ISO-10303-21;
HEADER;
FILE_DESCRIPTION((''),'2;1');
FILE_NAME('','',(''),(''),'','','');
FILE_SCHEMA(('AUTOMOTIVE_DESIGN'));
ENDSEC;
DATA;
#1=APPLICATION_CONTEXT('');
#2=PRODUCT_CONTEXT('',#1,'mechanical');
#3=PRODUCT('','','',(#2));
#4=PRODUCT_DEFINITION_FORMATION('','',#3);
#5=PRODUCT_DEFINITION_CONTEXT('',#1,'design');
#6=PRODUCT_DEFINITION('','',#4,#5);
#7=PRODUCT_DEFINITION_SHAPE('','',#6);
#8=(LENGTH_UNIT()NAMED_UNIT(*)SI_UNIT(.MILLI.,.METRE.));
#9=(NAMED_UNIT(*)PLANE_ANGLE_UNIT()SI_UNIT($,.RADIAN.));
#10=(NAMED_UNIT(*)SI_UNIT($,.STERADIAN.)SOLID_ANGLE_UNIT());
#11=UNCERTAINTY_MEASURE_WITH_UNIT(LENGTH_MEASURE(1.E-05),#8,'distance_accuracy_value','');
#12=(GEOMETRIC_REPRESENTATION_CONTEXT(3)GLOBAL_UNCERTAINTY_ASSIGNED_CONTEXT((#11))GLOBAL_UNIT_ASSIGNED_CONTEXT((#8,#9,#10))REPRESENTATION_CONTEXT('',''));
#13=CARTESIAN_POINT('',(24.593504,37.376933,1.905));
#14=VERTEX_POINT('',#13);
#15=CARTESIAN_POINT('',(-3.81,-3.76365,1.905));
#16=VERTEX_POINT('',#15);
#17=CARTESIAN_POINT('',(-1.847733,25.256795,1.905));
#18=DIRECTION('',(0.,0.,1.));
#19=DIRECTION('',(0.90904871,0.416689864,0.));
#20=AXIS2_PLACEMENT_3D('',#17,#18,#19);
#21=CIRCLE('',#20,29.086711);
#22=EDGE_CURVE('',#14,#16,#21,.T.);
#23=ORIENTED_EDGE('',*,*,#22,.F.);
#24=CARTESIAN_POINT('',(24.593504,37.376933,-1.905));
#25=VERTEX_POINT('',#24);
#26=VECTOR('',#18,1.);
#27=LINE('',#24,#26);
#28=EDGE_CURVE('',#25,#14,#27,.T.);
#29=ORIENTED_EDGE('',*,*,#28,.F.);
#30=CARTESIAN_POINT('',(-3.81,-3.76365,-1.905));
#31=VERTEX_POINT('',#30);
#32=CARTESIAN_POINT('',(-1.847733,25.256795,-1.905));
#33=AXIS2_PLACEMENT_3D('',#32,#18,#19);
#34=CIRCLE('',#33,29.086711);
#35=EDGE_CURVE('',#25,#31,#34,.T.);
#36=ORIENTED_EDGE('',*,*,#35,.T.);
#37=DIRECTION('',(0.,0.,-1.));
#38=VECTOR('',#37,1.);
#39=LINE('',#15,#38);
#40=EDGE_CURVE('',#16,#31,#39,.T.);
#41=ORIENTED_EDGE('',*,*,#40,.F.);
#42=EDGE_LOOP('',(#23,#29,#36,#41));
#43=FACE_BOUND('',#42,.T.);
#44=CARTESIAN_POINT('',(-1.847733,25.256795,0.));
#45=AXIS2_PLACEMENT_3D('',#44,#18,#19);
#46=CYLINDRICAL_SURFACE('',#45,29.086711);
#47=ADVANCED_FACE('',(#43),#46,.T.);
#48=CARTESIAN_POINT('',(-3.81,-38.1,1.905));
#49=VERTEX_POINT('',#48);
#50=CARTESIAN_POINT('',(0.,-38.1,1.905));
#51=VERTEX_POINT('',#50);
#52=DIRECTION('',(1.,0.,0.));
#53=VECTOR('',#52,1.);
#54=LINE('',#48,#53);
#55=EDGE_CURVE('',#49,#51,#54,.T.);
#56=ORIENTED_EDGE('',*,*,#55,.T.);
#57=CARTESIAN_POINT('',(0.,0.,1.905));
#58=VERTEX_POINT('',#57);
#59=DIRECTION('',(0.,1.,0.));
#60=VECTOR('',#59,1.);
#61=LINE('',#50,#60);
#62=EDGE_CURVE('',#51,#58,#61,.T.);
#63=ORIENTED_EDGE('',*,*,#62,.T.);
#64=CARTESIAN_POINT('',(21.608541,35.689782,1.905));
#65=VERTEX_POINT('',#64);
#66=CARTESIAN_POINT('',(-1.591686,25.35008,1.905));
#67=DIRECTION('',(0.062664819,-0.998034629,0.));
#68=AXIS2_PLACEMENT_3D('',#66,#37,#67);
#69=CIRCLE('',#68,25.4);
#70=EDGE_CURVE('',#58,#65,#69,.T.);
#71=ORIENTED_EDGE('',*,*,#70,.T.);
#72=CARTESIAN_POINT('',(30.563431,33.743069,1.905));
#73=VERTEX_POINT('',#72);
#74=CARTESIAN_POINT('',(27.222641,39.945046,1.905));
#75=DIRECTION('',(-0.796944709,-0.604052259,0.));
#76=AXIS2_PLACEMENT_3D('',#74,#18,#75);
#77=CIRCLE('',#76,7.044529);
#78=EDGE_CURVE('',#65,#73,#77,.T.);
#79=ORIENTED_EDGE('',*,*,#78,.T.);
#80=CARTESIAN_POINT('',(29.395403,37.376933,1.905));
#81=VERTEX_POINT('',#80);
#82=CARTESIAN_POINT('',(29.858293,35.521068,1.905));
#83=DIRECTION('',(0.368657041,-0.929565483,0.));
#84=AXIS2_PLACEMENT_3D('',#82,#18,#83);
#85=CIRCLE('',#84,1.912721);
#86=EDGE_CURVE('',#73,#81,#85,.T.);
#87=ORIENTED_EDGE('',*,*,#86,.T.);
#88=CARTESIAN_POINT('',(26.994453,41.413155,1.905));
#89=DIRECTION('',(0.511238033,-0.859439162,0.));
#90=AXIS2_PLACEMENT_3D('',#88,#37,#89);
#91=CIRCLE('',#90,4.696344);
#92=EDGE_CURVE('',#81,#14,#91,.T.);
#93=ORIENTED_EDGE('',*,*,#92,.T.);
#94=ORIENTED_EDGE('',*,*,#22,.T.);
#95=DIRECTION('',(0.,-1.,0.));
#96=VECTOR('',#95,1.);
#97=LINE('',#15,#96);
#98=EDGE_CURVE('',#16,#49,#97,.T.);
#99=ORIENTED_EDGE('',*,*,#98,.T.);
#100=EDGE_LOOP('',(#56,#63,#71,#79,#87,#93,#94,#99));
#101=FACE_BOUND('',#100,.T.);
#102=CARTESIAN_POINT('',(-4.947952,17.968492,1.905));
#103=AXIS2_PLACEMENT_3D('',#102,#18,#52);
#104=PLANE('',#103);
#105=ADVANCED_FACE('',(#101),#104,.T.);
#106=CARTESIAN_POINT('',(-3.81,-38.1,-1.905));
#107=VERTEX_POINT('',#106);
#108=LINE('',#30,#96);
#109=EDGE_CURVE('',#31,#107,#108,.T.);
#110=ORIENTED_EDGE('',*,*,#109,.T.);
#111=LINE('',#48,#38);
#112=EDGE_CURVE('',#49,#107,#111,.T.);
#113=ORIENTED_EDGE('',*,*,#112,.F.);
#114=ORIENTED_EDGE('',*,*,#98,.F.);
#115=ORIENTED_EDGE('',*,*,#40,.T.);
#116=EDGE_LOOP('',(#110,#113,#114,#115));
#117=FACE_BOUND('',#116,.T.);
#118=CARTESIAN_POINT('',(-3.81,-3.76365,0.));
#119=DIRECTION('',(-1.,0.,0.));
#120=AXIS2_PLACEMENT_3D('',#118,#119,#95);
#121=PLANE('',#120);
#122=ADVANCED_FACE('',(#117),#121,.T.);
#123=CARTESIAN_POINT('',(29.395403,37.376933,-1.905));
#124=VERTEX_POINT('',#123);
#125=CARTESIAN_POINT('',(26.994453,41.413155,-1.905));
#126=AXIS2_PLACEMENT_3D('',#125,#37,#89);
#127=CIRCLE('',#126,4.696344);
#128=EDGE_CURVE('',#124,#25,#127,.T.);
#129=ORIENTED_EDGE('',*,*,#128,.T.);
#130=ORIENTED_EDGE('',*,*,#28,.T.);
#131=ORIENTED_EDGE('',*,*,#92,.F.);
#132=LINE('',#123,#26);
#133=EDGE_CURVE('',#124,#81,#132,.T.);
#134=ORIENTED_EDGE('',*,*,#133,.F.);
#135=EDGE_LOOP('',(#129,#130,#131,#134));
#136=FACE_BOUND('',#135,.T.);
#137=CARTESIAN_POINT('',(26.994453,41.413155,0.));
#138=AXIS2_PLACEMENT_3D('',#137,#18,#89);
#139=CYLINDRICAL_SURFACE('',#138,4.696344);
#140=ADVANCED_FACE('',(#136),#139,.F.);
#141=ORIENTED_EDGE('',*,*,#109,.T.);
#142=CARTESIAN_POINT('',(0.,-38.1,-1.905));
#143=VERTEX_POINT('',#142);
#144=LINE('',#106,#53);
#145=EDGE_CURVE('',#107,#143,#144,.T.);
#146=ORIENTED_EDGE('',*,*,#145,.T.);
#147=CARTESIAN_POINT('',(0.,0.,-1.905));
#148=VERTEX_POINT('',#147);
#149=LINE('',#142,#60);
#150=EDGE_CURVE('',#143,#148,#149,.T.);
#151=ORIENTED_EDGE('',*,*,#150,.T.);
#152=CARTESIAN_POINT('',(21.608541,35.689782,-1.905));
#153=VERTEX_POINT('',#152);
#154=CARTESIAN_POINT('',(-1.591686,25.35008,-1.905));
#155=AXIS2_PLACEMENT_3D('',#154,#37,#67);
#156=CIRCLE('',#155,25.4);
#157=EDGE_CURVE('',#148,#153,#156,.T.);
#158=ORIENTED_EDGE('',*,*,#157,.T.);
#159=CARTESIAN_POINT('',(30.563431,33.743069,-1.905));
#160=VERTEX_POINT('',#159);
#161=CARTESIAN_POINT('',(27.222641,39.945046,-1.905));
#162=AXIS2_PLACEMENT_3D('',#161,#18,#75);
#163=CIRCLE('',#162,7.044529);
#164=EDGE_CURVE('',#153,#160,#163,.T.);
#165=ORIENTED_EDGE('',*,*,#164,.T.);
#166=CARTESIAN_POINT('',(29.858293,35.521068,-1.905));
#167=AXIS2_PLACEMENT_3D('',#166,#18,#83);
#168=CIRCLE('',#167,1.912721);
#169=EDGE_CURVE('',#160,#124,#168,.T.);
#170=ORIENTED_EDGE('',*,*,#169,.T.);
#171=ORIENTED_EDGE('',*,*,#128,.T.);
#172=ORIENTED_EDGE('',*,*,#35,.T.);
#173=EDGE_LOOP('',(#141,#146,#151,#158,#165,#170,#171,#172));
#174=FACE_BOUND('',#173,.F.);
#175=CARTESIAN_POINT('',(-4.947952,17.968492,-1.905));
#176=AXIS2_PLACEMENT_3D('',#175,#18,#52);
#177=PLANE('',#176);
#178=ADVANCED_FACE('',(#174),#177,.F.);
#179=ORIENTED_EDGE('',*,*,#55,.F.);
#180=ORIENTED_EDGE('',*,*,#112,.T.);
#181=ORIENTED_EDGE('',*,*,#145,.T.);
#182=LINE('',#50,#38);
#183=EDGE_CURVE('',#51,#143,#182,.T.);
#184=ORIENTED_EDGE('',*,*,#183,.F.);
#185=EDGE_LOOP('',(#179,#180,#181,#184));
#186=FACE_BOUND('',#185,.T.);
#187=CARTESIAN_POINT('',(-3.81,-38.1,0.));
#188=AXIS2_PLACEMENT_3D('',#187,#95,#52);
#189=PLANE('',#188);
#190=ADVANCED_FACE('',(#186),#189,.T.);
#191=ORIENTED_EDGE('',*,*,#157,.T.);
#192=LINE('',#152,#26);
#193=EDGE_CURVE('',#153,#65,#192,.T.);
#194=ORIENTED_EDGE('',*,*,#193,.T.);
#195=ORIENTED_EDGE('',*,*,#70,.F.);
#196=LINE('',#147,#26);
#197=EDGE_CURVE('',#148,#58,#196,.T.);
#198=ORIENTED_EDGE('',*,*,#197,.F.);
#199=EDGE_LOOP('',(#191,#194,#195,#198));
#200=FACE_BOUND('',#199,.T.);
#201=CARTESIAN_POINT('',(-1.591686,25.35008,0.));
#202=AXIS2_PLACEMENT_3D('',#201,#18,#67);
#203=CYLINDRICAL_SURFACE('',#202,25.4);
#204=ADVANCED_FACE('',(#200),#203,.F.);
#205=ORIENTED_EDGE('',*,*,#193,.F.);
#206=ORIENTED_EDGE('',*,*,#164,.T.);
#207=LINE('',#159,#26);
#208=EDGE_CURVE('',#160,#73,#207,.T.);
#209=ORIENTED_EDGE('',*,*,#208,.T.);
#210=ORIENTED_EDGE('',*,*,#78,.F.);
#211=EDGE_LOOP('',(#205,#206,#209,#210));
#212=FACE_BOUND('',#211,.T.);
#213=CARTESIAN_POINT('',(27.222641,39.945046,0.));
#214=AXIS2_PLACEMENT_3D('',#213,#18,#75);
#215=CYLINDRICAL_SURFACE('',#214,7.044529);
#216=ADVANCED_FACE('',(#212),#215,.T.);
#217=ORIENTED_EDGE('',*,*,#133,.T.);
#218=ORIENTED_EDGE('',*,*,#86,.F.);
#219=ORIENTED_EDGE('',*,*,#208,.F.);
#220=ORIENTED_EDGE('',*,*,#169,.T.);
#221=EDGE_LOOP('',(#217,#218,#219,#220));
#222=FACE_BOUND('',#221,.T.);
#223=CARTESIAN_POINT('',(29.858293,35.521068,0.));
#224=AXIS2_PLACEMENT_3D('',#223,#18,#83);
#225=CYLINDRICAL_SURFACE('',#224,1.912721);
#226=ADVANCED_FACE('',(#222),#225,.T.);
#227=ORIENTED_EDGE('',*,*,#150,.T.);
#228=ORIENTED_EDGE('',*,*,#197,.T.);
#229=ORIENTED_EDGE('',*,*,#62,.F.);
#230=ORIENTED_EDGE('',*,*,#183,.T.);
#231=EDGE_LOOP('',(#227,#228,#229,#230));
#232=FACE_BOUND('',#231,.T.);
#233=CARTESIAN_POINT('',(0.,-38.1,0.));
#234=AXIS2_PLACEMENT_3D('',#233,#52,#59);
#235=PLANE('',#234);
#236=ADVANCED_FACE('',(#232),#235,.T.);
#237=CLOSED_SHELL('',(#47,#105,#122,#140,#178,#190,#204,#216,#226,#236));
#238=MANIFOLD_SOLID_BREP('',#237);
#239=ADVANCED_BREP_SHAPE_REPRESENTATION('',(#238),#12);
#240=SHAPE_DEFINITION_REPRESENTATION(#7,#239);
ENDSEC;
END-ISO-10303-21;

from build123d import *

# Parameters (mm, degrees)
F1_DEPTH = 1.905


with BuildPart() as f1:
    # F0 (on Top) → F1 (new body, symmetric)
    with BuildSketch(Plane.XY):
        with BuildLine():
            Line((0, -38.1), (0, 0))
            ThreePointArc((0, 0), (-23.319546, 38.505311), (21.608541, 35.689782))
            ThreePointArc((21.608541, 35.689782), (25.726176, 33.061298), (30.563431, 33.743069))
            ThreePointArc((30.563431, 33.743069), (31.679258, 36.106378), (29.395403, 37.376933))
            ThreePointArc((29.395403, 37.376933), (26.994454, 36.716811), (24.593504, 37.376933))
            ThreePointArc((24.593504, 37.376933), (-25.783937, 41.782378), (-3.81, -3.76365))
            Line((-3.81, -3.76365), (-3.81, -38.1))
            Line((-3.81, -38.1), (0, -38.1))
        make_face()
    extrude(amount=F1_DEPTH, both=True)


solid = f1.part
